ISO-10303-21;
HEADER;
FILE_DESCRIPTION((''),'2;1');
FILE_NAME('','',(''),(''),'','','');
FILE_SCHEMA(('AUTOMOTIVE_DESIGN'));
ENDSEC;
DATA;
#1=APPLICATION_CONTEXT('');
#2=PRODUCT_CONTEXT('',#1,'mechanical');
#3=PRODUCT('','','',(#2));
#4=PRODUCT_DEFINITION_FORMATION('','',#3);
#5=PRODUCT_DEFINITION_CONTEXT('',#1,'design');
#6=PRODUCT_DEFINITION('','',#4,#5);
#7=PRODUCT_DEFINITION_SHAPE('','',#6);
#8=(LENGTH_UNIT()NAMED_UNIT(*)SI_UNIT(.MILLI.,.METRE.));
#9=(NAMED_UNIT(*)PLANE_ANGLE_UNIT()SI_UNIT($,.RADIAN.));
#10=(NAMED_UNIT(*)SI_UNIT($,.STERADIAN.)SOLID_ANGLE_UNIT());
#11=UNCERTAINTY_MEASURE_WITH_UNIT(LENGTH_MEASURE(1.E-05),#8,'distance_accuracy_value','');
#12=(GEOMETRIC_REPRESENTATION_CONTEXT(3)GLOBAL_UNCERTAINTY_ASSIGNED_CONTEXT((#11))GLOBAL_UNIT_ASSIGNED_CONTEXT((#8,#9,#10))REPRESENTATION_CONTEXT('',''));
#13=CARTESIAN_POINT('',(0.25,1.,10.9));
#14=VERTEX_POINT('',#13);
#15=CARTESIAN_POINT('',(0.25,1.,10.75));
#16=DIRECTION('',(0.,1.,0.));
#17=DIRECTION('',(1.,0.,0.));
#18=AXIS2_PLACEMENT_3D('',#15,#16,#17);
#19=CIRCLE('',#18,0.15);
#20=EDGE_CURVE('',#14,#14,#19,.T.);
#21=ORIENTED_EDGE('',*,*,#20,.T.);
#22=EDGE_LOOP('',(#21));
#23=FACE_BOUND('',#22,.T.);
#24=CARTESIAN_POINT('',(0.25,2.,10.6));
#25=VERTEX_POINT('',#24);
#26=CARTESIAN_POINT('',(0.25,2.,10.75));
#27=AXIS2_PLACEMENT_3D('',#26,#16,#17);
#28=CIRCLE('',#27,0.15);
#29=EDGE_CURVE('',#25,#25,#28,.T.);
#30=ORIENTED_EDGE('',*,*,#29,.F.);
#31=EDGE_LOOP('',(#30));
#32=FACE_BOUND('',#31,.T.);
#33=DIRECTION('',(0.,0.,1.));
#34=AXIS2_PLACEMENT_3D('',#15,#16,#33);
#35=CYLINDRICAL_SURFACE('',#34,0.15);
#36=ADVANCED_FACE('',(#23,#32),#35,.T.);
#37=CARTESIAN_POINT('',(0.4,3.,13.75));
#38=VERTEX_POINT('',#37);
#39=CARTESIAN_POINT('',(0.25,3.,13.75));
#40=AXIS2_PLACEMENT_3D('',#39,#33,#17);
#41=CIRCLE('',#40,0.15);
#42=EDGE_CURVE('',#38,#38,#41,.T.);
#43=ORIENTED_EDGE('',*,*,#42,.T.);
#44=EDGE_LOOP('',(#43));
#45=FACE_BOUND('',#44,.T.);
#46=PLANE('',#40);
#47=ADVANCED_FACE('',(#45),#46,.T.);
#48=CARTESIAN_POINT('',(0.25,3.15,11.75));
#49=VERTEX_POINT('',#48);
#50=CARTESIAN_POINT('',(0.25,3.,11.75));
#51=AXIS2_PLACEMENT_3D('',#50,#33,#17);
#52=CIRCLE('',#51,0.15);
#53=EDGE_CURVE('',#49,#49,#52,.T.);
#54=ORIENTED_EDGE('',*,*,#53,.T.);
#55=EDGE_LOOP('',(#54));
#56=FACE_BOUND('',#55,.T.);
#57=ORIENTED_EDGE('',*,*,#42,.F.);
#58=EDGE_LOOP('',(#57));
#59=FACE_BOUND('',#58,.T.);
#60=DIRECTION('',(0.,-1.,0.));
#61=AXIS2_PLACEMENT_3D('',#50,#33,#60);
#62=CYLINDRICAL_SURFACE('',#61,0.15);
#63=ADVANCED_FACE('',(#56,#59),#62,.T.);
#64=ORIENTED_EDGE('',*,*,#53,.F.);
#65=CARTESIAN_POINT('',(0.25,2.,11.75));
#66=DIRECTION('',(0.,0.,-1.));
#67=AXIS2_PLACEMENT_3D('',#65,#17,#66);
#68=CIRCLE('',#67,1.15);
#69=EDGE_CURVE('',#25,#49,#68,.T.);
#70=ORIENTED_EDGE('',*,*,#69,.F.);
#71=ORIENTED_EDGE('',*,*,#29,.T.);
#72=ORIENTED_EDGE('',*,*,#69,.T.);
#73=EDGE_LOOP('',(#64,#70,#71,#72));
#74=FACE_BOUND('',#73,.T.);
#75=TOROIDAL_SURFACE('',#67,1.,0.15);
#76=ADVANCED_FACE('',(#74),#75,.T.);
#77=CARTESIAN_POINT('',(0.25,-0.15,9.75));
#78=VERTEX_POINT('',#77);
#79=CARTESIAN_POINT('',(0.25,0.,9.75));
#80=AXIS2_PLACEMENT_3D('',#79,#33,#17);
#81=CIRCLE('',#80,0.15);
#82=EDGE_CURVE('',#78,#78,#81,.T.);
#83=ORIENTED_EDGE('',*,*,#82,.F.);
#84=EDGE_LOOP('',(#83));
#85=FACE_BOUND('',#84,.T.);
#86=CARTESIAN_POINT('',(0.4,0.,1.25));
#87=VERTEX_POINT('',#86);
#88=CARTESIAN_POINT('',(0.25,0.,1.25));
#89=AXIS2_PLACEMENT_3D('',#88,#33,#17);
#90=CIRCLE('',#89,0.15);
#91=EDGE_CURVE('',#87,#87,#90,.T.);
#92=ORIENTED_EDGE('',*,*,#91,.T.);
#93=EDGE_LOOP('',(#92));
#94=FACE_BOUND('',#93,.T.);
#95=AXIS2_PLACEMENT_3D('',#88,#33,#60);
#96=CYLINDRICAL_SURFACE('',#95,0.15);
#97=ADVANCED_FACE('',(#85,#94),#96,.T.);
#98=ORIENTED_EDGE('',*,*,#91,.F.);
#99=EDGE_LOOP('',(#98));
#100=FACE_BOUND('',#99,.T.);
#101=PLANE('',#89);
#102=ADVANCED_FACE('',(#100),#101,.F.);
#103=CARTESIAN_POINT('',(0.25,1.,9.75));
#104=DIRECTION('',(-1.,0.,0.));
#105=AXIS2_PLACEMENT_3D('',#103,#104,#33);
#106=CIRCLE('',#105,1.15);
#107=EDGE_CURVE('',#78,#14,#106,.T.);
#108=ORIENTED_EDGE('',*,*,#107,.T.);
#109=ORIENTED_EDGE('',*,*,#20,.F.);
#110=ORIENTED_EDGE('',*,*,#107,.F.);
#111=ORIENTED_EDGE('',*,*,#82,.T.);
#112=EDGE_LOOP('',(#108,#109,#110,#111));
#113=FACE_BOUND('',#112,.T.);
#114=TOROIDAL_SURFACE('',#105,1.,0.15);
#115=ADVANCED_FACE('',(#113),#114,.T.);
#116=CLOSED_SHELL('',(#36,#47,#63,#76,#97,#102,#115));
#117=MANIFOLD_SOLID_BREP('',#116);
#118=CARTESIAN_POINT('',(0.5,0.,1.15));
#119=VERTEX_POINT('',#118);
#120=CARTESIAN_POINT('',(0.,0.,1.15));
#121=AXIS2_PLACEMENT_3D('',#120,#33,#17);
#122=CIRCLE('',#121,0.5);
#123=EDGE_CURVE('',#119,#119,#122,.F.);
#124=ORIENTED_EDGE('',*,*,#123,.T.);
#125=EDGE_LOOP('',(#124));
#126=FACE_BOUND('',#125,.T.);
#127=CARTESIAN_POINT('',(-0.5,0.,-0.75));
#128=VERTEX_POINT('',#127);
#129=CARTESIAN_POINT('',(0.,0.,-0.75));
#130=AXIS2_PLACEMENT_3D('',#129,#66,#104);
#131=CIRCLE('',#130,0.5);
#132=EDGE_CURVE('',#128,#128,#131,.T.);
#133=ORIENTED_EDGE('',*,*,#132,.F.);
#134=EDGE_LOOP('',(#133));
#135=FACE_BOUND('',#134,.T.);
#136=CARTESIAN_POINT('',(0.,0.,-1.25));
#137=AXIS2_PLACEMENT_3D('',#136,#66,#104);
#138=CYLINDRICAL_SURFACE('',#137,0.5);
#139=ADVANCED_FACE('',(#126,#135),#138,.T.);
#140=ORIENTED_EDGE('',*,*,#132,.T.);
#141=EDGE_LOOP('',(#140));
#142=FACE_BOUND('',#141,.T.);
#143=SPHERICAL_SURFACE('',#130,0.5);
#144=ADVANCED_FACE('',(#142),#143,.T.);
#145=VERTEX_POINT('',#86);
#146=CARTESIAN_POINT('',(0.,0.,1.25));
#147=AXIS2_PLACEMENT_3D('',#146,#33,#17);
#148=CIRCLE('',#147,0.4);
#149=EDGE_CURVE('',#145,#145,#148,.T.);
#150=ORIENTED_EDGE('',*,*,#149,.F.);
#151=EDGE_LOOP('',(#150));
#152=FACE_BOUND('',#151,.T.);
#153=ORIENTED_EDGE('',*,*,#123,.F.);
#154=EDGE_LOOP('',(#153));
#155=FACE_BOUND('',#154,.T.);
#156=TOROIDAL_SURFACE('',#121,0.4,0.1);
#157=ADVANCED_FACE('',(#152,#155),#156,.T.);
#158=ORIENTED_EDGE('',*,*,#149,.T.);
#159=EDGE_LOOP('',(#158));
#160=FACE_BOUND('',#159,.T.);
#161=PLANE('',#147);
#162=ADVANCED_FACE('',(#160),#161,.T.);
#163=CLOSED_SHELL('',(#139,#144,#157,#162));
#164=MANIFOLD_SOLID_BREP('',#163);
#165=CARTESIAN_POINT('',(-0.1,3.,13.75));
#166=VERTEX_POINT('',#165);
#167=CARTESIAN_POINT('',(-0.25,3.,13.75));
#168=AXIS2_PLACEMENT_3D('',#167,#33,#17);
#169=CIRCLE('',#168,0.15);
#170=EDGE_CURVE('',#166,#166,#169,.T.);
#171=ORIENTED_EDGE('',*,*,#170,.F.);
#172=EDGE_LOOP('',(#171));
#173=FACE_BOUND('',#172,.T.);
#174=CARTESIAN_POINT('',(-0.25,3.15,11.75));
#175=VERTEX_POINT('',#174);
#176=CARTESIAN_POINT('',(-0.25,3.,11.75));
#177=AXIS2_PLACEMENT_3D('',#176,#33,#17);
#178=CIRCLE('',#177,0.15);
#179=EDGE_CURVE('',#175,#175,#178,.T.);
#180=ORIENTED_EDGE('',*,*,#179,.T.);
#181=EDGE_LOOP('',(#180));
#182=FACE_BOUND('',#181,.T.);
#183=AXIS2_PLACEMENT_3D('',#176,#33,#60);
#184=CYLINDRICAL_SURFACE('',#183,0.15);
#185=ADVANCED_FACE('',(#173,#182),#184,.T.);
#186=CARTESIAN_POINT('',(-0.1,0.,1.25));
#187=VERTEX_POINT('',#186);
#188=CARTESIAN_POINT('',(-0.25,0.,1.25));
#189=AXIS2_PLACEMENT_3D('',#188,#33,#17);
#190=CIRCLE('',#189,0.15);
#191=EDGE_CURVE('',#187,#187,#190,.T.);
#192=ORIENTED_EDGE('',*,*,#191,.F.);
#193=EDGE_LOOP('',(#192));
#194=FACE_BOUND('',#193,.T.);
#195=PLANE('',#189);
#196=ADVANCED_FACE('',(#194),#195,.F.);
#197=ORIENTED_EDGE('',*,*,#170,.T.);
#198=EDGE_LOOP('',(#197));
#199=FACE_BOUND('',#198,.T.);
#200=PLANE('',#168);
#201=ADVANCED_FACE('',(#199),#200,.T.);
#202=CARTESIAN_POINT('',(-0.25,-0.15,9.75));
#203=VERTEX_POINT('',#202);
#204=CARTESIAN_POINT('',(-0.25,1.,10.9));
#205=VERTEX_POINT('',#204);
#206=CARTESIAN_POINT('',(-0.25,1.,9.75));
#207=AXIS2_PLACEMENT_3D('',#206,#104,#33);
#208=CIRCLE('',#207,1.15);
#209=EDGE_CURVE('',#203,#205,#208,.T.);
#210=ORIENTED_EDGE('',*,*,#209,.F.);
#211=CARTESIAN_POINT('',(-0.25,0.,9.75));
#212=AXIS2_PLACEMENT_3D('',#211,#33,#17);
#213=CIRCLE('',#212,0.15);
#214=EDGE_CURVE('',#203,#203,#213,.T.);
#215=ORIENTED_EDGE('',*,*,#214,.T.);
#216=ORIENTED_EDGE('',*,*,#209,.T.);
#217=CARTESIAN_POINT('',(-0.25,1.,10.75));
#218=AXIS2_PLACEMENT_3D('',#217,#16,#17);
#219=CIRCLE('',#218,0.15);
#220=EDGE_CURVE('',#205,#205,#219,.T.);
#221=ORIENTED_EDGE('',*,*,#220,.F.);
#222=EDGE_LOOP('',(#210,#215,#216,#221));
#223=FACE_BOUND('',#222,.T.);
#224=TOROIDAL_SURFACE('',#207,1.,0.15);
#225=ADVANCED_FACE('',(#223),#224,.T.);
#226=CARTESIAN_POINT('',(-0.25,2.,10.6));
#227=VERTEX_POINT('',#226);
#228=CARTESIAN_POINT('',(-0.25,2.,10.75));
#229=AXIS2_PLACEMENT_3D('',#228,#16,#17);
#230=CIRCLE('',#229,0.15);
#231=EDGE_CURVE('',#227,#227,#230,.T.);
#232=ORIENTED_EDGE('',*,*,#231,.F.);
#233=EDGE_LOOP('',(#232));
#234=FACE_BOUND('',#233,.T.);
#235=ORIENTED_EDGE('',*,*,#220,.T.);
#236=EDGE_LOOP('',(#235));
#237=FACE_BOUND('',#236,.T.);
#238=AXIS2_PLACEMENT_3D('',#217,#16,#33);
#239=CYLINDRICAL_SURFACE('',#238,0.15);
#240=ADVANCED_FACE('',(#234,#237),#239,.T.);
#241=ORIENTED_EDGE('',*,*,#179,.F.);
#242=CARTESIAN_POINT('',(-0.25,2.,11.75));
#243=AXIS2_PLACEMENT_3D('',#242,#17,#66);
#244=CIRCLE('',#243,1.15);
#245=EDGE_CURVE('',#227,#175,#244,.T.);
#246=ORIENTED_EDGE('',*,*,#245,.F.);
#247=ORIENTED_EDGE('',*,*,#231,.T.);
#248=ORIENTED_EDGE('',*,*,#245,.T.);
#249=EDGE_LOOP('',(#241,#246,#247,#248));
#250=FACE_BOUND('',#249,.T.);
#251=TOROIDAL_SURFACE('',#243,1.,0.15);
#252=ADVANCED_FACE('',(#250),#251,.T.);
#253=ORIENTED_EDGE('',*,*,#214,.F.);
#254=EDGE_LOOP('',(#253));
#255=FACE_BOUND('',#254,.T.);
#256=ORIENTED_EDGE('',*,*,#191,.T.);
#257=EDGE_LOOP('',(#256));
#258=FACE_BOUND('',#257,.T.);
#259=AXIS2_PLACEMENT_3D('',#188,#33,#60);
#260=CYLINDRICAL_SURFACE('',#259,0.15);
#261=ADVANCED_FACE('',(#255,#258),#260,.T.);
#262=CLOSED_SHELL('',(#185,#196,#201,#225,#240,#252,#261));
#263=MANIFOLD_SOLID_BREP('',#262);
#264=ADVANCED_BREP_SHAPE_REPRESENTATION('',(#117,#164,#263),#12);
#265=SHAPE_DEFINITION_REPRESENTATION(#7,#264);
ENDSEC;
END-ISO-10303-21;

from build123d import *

# Parameters (mm, degrees)
FILLET2_R = 0.1
SKETCH3_R = 0.15


with BuildPart() as part:
    # Sketch2 → Revolve1 (revolve)
    with BuildSketch(Plane(origin=(0, 0, 0), x_dir=(1, 0, 0), z_dir=(0, 1, 0))):
        with BuildLine():
            Line((0, 1.25), (0, -1.25))
            Line((0, -1.25), (-0.5, -1.25))
            Line((-0.5, -1.25), (-0.5, 0.75))
            ThreePointArc((-0.5, 0.75), (-0.353553391, 1.103553391), (0, 1.25))
        make_face()
    revolve(axis=Axis((0, 0, -1.25), (0, 0, 1)))

    # Fillet2
    fillet2_edges = [part.edges().sort_by_distance(p)[0] for p in [
        (0.5, 0, 1.25),
    ]]
    fillet(fillet2_edges, radius=FILLET2_R)


with BuildPart() as body_2:
    # Sweep1: sweep along a path in Sketch4
    with BuildLine(Plane(origin=(0, 0, 0), x_dir=(0, 0, -1), z_dir=(1, 0, 0))) as sweep1_path:
        Line((-1.25, 0), (-9.75, 0))
        ThreePointArc((-9.75, 0), (-10.457106781, 0.292893219), (-10.75, 1))
        Line((-10.75, 1), (-10.75, 2))
        ThreePointArc((-10.75, 2), (-11.042893219, 2.707106781), (-11.75, 3))
        Line((-11.75, 3), (-13.75, 3))
    # Sketch3 → Sweep1 (sweep)
    with BuildSketch(Plane.XY.offset(1.25)):
        with Locations((-0.25, 0)):
            Circle(SKETCH3_R)
        with Locations((0.25, 0)):
            Circle(SKETCH3_R)
    sweep(path=sweep1_path.line)


solid = Compound([part.part, body_2.part])
